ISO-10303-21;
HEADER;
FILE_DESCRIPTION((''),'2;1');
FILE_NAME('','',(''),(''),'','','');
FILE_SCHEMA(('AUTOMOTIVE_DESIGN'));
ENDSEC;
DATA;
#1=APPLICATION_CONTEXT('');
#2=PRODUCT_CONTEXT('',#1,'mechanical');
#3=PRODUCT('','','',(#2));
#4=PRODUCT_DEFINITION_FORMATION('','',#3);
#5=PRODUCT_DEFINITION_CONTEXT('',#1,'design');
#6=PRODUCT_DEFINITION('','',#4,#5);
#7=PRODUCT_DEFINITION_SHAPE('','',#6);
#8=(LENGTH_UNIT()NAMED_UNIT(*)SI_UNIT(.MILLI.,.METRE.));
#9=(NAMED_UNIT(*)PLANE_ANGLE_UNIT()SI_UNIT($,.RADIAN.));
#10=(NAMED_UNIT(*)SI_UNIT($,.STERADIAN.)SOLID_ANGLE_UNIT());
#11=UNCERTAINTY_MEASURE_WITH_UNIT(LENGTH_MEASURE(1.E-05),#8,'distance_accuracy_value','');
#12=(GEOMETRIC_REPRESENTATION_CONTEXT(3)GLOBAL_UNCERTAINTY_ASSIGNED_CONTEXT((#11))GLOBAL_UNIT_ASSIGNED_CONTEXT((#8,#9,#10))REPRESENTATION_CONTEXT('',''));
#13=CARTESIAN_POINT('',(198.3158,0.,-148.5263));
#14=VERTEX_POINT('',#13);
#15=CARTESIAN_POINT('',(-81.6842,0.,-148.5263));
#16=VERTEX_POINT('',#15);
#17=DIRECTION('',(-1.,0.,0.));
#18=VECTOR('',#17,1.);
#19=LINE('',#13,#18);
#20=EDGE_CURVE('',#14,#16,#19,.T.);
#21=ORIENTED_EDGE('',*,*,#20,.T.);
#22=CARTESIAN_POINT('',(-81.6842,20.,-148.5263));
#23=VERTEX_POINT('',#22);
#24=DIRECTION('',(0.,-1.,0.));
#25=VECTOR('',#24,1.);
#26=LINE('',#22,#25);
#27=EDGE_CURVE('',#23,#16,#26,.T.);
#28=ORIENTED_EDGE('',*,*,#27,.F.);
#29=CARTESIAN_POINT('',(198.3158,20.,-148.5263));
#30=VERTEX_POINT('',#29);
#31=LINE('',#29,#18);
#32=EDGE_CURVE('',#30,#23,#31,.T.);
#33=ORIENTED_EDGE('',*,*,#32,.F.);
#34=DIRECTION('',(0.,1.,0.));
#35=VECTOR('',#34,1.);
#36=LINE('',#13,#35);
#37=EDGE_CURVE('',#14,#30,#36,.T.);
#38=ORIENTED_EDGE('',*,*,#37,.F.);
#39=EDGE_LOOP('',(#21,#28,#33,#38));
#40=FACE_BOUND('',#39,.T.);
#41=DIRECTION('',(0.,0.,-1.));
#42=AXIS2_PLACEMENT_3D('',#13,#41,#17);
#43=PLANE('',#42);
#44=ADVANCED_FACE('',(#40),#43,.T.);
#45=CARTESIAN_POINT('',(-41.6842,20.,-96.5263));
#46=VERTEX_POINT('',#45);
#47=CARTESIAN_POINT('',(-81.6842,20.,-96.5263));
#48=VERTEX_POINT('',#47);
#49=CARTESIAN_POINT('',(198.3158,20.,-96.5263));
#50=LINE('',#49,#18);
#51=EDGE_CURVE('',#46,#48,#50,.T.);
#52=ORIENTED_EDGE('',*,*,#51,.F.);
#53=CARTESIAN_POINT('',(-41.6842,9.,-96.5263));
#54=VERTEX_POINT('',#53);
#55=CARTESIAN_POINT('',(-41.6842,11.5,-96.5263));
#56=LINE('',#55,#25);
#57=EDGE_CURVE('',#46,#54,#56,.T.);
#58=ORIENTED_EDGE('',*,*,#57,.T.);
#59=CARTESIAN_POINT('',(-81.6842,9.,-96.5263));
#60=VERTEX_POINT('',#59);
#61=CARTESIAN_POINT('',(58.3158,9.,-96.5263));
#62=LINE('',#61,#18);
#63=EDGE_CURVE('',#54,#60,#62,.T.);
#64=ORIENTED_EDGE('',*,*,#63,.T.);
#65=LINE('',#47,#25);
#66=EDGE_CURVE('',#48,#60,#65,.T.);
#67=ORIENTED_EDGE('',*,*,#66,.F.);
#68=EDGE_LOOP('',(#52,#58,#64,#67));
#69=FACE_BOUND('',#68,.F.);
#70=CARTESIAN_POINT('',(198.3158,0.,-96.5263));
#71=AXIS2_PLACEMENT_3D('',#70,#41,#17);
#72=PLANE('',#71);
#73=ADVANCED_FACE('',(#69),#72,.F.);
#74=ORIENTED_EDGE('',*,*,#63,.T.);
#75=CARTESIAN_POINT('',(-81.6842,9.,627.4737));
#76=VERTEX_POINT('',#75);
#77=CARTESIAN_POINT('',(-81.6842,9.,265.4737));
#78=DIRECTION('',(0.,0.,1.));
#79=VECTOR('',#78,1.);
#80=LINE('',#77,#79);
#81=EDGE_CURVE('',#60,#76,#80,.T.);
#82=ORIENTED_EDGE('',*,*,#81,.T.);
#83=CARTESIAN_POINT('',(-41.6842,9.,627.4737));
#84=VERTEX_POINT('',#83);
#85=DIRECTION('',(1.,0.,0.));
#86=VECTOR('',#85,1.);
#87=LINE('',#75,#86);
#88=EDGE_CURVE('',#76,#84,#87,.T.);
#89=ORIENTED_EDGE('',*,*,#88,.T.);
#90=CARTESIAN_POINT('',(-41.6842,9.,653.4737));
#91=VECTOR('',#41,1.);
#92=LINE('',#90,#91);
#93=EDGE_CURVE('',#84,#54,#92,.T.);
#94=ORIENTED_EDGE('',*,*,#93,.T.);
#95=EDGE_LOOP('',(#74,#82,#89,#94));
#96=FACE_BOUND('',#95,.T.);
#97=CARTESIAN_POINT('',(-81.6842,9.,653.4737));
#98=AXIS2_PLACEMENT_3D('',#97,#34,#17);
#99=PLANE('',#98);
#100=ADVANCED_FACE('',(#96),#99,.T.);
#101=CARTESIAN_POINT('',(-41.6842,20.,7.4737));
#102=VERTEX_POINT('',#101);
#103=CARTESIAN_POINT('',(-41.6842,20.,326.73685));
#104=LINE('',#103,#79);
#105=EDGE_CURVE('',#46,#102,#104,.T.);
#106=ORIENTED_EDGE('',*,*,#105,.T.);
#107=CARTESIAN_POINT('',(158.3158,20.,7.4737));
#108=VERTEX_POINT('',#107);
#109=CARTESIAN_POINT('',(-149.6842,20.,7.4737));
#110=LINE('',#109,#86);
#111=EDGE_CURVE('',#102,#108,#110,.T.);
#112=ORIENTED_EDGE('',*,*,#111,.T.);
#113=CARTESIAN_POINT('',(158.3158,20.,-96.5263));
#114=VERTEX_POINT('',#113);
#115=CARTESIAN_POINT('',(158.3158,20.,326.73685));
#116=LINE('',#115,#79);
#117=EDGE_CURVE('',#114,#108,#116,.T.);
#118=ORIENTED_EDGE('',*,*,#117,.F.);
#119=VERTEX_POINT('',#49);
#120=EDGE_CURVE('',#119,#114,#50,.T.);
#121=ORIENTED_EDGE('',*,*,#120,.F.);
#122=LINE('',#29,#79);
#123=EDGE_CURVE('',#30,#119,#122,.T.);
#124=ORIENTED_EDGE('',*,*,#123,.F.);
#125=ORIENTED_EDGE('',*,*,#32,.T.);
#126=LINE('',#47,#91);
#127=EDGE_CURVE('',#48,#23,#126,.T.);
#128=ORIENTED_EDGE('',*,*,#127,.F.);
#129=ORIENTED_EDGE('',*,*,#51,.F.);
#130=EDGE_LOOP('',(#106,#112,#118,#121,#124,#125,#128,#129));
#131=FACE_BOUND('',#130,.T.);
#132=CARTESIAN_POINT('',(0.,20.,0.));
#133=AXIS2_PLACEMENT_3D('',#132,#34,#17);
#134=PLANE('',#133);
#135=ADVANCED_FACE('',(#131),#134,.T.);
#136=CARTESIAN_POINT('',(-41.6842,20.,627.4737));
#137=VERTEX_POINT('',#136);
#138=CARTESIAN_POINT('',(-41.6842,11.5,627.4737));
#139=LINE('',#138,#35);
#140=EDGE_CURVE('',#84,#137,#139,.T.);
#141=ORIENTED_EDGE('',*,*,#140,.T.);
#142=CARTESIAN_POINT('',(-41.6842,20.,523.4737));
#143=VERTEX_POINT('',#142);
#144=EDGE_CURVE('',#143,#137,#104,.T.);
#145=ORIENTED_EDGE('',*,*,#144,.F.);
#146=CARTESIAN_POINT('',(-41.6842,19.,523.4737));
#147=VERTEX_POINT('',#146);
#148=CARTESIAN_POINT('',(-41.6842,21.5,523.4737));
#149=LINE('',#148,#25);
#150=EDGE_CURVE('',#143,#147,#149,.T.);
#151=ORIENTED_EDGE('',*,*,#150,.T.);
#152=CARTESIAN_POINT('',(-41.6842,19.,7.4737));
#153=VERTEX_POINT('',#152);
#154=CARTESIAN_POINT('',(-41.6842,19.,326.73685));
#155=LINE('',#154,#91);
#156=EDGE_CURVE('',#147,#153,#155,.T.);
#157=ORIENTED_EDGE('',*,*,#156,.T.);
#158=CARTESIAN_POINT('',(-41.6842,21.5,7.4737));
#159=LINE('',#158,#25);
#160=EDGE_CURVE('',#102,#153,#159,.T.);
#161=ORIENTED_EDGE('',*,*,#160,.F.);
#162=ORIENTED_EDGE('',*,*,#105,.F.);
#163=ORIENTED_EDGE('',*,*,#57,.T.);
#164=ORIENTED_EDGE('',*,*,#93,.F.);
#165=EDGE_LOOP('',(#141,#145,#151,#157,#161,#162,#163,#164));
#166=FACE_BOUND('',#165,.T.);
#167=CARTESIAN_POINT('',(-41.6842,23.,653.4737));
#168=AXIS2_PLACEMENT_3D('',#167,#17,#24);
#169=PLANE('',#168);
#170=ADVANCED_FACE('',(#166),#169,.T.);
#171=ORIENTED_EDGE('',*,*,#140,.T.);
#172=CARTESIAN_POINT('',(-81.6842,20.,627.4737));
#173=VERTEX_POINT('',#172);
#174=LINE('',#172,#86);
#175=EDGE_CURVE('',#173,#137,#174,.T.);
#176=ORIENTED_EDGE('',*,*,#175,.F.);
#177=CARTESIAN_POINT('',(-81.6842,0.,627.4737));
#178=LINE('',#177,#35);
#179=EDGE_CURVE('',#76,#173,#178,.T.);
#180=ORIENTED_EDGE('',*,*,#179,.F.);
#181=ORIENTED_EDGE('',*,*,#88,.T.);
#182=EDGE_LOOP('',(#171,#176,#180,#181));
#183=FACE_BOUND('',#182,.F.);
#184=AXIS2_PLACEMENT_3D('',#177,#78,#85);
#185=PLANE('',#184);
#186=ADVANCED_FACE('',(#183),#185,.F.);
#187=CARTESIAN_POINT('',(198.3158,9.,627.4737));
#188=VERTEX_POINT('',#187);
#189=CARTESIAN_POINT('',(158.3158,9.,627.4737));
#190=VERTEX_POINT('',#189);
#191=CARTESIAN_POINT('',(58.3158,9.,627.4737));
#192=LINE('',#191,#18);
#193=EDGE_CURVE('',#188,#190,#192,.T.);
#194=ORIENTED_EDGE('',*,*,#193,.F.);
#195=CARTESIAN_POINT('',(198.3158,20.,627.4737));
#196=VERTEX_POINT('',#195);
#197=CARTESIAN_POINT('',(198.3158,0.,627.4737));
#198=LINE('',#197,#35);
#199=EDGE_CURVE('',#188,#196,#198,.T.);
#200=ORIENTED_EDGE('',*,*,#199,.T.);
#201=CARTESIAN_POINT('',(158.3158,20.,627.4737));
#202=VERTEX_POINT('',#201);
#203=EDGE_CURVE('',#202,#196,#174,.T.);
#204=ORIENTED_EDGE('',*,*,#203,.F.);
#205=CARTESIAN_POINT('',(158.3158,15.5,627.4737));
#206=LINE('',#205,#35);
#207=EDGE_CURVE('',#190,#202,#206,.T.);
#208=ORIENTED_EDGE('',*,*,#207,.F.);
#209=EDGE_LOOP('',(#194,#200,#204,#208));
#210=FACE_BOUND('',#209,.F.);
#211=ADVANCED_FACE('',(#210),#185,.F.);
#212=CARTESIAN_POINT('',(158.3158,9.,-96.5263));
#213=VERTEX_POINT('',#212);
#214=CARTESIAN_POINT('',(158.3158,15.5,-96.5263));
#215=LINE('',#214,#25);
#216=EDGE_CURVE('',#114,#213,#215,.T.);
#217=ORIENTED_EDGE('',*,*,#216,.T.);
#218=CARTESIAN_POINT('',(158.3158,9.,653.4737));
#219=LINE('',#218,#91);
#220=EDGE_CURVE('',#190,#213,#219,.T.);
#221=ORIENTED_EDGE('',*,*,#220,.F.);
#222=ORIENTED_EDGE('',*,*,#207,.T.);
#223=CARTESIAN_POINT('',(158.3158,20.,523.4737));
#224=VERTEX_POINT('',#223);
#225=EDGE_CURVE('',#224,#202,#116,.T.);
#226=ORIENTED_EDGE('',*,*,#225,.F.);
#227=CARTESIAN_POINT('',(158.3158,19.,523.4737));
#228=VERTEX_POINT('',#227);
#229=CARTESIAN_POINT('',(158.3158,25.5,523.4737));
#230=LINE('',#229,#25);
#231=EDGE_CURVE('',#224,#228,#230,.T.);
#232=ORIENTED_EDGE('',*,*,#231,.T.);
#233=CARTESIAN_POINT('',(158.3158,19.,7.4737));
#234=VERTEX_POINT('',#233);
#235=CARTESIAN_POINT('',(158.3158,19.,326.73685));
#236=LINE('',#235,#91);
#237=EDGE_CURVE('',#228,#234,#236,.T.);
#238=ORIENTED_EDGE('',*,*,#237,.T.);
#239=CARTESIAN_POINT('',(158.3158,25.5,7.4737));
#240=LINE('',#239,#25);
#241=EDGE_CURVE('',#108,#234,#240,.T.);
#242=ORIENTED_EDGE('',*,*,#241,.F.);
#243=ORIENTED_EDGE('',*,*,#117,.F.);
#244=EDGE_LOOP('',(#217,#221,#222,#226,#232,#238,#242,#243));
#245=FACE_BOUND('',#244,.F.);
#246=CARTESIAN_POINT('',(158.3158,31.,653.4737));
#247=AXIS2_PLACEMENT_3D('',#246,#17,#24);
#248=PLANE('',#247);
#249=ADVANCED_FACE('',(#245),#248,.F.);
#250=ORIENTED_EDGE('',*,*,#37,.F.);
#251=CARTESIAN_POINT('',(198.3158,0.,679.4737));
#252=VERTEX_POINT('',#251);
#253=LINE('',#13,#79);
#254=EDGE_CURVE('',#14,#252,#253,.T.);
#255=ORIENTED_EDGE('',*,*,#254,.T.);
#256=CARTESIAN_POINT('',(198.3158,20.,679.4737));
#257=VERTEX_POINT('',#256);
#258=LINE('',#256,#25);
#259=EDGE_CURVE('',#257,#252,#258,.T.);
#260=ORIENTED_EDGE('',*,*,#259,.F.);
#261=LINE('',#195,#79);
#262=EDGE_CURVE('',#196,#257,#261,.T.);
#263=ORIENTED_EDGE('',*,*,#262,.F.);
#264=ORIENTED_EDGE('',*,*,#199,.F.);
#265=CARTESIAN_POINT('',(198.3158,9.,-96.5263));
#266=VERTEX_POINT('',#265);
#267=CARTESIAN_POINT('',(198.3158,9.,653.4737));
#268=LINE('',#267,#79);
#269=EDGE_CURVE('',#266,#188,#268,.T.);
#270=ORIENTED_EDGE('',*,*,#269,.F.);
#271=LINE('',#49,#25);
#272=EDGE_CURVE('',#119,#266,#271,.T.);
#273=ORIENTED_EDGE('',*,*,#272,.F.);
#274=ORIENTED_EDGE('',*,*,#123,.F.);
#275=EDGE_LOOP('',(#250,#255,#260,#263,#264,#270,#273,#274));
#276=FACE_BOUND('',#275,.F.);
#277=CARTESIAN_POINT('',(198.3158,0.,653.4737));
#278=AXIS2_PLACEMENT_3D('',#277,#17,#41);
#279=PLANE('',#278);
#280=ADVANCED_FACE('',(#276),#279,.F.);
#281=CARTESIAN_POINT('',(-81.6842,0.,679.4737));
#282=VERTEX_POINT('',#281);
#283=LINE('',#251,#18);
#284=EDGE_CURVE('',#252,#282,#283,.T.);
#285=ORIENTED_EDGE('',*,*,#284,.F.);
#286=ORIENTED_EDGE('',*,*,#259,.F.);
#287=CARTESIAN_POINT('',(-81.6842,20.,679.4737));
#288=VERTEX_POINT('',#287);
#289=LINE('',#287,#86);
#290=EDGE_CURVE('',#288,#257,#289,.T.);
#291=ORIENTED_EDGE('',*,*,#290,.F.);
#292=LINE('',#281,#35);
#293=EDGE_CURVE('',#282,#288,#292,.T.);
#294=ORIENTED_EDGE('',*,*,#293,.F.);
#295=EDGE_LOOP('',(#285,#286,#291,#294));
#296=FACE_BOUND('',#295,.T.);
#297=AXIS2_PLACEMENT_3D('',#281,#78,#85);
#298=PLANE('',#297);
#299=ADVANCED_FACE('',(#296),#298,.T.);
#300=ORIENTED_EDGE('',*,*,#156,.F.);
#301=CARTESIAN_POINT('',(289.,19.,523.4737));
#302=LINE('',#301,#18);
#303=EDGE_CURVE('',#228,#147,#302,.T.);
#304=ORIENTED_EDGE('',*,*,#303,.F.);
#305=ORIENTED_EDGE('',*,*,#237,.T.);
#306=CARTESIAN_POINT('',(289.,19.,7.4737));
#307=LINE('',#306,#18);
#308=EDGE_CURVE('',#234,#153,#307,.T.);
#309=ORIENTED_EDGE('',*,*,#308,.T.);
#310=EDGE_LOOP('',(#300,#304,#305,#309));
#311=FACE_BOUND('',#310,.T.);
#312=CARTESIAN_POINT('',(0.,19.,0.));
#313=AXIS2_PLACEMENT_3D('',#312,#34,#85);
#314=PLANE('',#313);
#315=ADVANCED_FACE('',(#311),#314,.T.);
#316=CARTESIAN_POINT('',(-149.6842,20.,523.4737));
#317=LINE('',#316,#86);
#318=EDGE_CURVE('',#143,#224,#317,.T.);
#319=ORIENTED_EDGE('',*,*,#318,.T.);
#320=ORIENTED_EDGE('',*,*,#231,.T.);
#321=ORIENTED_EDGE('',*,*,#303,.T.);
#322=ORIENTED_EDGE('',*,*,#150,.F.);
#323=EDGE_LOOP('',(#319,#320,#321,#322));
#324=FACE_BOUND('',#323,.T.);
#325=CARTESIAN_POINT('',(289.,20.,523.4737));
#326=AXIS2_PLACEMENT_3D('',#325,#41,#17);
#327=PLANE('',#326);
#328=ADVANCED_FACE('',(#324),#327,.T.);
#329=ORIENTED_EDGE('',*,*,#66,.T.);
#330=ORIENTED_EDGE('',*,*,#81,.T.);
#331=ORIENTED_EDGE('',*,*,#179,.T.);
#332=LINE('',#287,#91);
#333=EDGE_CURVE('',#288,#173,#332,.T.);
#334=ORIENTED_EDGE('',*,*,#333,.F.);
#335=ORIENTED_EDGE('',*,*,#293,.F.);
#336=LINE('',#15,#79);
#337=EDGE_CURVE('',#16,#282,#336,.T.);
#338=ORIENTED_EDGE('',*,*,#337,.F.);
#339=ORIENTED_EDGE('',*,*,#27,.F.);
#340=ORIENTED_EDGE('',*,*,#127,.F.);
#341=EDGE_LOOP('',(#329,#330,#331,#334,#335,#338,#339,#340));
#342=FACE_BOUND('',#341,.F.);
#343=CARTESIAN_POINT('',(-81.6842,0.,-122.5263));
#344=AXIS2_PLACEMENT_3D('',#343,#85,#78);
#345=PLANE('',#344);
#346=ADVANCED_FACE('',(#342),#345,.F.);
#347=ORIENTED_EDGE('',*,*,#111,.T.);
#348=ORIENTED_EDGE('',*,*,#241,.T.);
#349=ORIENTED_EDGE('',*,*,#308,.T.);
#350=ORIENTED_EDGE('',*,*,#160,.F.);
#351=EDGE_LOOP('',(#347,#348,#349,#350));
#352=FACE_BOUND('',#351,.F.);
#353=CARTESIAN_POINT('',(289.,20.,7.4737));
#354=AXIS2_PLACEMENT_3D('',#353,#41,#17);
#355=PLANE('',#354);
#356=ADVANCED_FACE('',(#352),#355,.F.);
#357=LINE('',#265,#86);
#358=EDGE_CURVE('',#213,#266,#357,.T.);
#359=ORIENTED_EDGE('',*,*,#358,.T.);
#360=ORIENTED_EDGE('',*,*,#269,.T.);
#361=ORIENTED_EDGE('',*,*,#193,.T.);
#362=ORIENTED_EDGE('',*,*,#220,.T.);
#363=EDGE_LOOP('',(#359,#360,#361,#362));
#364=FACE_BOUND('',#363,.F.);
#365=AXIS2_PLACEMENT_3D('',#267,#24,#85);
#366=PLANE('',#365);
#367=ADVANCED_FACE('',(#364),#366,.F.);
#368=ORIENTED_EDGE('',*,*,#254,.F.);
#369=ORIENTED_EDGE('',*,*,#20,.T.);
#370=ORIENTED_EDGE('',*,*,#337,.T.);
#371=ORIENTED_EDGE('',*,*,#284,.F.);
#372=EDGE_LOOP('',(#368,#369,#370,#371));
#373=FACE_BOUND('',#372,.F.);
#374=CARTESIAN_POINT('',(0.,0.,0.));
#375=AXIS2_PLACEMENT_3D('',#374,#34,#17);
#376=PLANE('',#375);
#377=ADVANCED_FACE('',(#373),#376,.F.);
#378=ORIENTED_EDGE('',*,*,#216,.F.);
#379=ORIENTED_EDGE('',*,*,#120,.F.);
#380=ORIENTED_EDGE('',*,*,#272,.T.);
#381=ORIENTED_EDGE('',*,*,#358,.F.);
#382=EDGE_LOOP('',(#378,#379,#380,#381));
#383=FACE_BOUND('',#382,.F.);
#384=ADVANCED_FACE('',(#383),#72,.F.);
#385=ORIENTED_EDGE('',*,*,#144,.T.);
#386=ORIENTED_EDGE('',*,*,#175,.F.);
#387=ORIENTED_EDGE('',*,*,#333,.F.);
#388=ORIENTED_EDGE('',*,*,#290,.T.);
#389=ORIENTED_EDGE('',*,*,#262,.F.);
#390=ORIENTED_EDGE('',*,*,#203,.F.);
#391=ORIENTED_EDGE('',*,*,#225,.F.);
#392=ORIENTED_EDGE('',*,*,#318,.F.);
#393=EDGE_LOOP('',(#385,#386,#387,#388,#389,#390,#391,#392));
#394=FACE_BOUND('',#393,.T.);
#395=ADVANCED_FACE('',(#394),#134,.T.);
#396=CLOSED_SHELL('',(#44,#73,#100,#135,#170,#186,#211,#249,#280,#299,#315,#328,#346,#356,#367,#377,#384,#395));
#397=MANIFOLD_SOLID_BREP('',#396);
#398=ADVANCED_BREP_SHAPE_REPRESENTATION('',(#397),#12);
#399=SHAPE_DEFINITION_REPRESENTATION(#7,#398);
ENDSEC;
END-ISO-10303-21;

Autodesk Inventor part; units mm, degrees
ref_plane "YZ Plane" through (0, 0, 0) normal (1, 0, 0) x (0, 1, 0)
ref_plane "XZ Plane" through (0, 0, 0) normal (0, 1, 0) x (-1, 0, 0)
ref_plane "XY Plane" through (0, 0, 0) normal (0, 0, 1) x (1, 0, 0)
sketch "Эскиз1" plane through (0, 0, 0) normal (0, 1, 0) x (-1, 0, 0)
  line L0 (81.6842, 653.4737) -> (-198.3158, 653.4737)
  line L1 (-198.3158, 653.4737) -> (-198.3158, -122.5263)
  line L2 (-198.3158, -122.5263) -> (81.6842, -122.5263)
  line L3 (81.6842, -122.5263) -> (81.6842, 653.4737)
  point P0 (0, 0)
  dimension "d0" = 776
  dimension "d1" = 280
extrude "Выдавливание1" add sketch "Эскиз1" along normal blind 20
sketch "Эскиз3" plane through (-81.6842, 0, 653.4737) normal (0, 0, 1) x (1, 0, 0)
  line L0 (292, 31) -> (240, 31)
  line L1 (240, 31) -> (240, 9)
  line L2 (240, 9) -> (292, 9)
  line L3 (292, 9) -> (292, 31)
  line L4 (0, 0) -> (280, 0) projected
  line L5 (280, 0) -> (280, 20) projected
  line L6 (-1, 23) -> (40, 23)
  line L7 (40, 23) -> (40, 9)
  line L8 (40, 9) -> (-1, 9)
  line L9 (-1, 9) -> (-1, 23)
  line L10 (0, 0) -> (0, 20) projected
  point P0 (81.6842, 0)
  dimension "d4" = 9
  dimension "d5" = 40
  dimension "d6" = 9
  dimension "d7" = 40
extrude "Выдавливание2" cut sketch "Эскиз3" against normal blind 999
sketch "Эскиз4" plane through (-81.6842, 0, 653.4737) normal (0, 0, 1) x (1, 0, 0)
  point P0 (81.6842, 0)
sketch "Эскиз5" plane through (-81.6842, 0, 653.4737) normal (0, 0, 1) x (1, 0, 0)
  line L0 (280, 0) -> (280, 9) projected
  line L1 (280, 0) -> (0, 0)
  line L2 (0, 0) -> (0, 20)
  line L3 (0, 20) -> (280, 20)
  line L4 (280, 20) -> (280, 0)
  point P0 (81.6842, 0)
  dimension "d18" = 20
extrude "Выдавливание3" add sketch "Эскиз5" along normal mid plane 52
sketch "Эскиз6" plane through (198.3158, 0, -122.5263) normal (0, 0, -1) x (-1, 0, 0)
  line L0 (0, 0) -> (280, 0) projected
  line L1 (0, 20) -> (0, 9) projected
  line L2 (280, 0) -> (0, 0)
  line L3 (0, 0) -> (0, 20)
  line L4 (0, 20) -> (280, 20)
  line L5 (280, 20) -> (280, 0)
  point P0 (198.3158, 0)
  point P1 (0, 9)
extrude "Выдавливание4" add sketch "Эскиз6" along normal mid plane 52
sketch "Эскиз7" plane through (0, 20, 0) normal (0, 1, 0) x (1, 0, 0)
  line L0 (-81.6842, -627.4737) -> (198.3158, -627.4737) projected
  line L1 (198.3158, 96.5263) -> (-81.6842, 96.5263) projected
  line L2 (198.3158, 96.5263) -> (198.3158, -627.4737) projected
  line L3 (-149.6842, -265.4737) -> (289, -265.4737)
  line L4 (289, -265.4737) -> (289, -7.4737)
  line L5 (289, -7.4737) -> (-149.6842, -7.4737)
  line L6 (-149.6842, -7.4737) -> (-149.6842, -265.4737)
  line L7 (-149.6842, -265.4737) -> (289, -265.4737)
  line L8 (289, -265.4737) -> (289, -523.4737)
  line L9 (289, -523.4737) -> (-149.6842, -523.4737)
  line L10 (-149.6842, -523.4737) -> (-149.6842, -265.4737)
  point P0 (0, 0)
  dimension "d14" = 258
  dimension "d15" = 258
extrude "Выдавливание5" cut sketch "Эскиз7" against normal blind 1
properties part number "NizFlanecX_ax"
